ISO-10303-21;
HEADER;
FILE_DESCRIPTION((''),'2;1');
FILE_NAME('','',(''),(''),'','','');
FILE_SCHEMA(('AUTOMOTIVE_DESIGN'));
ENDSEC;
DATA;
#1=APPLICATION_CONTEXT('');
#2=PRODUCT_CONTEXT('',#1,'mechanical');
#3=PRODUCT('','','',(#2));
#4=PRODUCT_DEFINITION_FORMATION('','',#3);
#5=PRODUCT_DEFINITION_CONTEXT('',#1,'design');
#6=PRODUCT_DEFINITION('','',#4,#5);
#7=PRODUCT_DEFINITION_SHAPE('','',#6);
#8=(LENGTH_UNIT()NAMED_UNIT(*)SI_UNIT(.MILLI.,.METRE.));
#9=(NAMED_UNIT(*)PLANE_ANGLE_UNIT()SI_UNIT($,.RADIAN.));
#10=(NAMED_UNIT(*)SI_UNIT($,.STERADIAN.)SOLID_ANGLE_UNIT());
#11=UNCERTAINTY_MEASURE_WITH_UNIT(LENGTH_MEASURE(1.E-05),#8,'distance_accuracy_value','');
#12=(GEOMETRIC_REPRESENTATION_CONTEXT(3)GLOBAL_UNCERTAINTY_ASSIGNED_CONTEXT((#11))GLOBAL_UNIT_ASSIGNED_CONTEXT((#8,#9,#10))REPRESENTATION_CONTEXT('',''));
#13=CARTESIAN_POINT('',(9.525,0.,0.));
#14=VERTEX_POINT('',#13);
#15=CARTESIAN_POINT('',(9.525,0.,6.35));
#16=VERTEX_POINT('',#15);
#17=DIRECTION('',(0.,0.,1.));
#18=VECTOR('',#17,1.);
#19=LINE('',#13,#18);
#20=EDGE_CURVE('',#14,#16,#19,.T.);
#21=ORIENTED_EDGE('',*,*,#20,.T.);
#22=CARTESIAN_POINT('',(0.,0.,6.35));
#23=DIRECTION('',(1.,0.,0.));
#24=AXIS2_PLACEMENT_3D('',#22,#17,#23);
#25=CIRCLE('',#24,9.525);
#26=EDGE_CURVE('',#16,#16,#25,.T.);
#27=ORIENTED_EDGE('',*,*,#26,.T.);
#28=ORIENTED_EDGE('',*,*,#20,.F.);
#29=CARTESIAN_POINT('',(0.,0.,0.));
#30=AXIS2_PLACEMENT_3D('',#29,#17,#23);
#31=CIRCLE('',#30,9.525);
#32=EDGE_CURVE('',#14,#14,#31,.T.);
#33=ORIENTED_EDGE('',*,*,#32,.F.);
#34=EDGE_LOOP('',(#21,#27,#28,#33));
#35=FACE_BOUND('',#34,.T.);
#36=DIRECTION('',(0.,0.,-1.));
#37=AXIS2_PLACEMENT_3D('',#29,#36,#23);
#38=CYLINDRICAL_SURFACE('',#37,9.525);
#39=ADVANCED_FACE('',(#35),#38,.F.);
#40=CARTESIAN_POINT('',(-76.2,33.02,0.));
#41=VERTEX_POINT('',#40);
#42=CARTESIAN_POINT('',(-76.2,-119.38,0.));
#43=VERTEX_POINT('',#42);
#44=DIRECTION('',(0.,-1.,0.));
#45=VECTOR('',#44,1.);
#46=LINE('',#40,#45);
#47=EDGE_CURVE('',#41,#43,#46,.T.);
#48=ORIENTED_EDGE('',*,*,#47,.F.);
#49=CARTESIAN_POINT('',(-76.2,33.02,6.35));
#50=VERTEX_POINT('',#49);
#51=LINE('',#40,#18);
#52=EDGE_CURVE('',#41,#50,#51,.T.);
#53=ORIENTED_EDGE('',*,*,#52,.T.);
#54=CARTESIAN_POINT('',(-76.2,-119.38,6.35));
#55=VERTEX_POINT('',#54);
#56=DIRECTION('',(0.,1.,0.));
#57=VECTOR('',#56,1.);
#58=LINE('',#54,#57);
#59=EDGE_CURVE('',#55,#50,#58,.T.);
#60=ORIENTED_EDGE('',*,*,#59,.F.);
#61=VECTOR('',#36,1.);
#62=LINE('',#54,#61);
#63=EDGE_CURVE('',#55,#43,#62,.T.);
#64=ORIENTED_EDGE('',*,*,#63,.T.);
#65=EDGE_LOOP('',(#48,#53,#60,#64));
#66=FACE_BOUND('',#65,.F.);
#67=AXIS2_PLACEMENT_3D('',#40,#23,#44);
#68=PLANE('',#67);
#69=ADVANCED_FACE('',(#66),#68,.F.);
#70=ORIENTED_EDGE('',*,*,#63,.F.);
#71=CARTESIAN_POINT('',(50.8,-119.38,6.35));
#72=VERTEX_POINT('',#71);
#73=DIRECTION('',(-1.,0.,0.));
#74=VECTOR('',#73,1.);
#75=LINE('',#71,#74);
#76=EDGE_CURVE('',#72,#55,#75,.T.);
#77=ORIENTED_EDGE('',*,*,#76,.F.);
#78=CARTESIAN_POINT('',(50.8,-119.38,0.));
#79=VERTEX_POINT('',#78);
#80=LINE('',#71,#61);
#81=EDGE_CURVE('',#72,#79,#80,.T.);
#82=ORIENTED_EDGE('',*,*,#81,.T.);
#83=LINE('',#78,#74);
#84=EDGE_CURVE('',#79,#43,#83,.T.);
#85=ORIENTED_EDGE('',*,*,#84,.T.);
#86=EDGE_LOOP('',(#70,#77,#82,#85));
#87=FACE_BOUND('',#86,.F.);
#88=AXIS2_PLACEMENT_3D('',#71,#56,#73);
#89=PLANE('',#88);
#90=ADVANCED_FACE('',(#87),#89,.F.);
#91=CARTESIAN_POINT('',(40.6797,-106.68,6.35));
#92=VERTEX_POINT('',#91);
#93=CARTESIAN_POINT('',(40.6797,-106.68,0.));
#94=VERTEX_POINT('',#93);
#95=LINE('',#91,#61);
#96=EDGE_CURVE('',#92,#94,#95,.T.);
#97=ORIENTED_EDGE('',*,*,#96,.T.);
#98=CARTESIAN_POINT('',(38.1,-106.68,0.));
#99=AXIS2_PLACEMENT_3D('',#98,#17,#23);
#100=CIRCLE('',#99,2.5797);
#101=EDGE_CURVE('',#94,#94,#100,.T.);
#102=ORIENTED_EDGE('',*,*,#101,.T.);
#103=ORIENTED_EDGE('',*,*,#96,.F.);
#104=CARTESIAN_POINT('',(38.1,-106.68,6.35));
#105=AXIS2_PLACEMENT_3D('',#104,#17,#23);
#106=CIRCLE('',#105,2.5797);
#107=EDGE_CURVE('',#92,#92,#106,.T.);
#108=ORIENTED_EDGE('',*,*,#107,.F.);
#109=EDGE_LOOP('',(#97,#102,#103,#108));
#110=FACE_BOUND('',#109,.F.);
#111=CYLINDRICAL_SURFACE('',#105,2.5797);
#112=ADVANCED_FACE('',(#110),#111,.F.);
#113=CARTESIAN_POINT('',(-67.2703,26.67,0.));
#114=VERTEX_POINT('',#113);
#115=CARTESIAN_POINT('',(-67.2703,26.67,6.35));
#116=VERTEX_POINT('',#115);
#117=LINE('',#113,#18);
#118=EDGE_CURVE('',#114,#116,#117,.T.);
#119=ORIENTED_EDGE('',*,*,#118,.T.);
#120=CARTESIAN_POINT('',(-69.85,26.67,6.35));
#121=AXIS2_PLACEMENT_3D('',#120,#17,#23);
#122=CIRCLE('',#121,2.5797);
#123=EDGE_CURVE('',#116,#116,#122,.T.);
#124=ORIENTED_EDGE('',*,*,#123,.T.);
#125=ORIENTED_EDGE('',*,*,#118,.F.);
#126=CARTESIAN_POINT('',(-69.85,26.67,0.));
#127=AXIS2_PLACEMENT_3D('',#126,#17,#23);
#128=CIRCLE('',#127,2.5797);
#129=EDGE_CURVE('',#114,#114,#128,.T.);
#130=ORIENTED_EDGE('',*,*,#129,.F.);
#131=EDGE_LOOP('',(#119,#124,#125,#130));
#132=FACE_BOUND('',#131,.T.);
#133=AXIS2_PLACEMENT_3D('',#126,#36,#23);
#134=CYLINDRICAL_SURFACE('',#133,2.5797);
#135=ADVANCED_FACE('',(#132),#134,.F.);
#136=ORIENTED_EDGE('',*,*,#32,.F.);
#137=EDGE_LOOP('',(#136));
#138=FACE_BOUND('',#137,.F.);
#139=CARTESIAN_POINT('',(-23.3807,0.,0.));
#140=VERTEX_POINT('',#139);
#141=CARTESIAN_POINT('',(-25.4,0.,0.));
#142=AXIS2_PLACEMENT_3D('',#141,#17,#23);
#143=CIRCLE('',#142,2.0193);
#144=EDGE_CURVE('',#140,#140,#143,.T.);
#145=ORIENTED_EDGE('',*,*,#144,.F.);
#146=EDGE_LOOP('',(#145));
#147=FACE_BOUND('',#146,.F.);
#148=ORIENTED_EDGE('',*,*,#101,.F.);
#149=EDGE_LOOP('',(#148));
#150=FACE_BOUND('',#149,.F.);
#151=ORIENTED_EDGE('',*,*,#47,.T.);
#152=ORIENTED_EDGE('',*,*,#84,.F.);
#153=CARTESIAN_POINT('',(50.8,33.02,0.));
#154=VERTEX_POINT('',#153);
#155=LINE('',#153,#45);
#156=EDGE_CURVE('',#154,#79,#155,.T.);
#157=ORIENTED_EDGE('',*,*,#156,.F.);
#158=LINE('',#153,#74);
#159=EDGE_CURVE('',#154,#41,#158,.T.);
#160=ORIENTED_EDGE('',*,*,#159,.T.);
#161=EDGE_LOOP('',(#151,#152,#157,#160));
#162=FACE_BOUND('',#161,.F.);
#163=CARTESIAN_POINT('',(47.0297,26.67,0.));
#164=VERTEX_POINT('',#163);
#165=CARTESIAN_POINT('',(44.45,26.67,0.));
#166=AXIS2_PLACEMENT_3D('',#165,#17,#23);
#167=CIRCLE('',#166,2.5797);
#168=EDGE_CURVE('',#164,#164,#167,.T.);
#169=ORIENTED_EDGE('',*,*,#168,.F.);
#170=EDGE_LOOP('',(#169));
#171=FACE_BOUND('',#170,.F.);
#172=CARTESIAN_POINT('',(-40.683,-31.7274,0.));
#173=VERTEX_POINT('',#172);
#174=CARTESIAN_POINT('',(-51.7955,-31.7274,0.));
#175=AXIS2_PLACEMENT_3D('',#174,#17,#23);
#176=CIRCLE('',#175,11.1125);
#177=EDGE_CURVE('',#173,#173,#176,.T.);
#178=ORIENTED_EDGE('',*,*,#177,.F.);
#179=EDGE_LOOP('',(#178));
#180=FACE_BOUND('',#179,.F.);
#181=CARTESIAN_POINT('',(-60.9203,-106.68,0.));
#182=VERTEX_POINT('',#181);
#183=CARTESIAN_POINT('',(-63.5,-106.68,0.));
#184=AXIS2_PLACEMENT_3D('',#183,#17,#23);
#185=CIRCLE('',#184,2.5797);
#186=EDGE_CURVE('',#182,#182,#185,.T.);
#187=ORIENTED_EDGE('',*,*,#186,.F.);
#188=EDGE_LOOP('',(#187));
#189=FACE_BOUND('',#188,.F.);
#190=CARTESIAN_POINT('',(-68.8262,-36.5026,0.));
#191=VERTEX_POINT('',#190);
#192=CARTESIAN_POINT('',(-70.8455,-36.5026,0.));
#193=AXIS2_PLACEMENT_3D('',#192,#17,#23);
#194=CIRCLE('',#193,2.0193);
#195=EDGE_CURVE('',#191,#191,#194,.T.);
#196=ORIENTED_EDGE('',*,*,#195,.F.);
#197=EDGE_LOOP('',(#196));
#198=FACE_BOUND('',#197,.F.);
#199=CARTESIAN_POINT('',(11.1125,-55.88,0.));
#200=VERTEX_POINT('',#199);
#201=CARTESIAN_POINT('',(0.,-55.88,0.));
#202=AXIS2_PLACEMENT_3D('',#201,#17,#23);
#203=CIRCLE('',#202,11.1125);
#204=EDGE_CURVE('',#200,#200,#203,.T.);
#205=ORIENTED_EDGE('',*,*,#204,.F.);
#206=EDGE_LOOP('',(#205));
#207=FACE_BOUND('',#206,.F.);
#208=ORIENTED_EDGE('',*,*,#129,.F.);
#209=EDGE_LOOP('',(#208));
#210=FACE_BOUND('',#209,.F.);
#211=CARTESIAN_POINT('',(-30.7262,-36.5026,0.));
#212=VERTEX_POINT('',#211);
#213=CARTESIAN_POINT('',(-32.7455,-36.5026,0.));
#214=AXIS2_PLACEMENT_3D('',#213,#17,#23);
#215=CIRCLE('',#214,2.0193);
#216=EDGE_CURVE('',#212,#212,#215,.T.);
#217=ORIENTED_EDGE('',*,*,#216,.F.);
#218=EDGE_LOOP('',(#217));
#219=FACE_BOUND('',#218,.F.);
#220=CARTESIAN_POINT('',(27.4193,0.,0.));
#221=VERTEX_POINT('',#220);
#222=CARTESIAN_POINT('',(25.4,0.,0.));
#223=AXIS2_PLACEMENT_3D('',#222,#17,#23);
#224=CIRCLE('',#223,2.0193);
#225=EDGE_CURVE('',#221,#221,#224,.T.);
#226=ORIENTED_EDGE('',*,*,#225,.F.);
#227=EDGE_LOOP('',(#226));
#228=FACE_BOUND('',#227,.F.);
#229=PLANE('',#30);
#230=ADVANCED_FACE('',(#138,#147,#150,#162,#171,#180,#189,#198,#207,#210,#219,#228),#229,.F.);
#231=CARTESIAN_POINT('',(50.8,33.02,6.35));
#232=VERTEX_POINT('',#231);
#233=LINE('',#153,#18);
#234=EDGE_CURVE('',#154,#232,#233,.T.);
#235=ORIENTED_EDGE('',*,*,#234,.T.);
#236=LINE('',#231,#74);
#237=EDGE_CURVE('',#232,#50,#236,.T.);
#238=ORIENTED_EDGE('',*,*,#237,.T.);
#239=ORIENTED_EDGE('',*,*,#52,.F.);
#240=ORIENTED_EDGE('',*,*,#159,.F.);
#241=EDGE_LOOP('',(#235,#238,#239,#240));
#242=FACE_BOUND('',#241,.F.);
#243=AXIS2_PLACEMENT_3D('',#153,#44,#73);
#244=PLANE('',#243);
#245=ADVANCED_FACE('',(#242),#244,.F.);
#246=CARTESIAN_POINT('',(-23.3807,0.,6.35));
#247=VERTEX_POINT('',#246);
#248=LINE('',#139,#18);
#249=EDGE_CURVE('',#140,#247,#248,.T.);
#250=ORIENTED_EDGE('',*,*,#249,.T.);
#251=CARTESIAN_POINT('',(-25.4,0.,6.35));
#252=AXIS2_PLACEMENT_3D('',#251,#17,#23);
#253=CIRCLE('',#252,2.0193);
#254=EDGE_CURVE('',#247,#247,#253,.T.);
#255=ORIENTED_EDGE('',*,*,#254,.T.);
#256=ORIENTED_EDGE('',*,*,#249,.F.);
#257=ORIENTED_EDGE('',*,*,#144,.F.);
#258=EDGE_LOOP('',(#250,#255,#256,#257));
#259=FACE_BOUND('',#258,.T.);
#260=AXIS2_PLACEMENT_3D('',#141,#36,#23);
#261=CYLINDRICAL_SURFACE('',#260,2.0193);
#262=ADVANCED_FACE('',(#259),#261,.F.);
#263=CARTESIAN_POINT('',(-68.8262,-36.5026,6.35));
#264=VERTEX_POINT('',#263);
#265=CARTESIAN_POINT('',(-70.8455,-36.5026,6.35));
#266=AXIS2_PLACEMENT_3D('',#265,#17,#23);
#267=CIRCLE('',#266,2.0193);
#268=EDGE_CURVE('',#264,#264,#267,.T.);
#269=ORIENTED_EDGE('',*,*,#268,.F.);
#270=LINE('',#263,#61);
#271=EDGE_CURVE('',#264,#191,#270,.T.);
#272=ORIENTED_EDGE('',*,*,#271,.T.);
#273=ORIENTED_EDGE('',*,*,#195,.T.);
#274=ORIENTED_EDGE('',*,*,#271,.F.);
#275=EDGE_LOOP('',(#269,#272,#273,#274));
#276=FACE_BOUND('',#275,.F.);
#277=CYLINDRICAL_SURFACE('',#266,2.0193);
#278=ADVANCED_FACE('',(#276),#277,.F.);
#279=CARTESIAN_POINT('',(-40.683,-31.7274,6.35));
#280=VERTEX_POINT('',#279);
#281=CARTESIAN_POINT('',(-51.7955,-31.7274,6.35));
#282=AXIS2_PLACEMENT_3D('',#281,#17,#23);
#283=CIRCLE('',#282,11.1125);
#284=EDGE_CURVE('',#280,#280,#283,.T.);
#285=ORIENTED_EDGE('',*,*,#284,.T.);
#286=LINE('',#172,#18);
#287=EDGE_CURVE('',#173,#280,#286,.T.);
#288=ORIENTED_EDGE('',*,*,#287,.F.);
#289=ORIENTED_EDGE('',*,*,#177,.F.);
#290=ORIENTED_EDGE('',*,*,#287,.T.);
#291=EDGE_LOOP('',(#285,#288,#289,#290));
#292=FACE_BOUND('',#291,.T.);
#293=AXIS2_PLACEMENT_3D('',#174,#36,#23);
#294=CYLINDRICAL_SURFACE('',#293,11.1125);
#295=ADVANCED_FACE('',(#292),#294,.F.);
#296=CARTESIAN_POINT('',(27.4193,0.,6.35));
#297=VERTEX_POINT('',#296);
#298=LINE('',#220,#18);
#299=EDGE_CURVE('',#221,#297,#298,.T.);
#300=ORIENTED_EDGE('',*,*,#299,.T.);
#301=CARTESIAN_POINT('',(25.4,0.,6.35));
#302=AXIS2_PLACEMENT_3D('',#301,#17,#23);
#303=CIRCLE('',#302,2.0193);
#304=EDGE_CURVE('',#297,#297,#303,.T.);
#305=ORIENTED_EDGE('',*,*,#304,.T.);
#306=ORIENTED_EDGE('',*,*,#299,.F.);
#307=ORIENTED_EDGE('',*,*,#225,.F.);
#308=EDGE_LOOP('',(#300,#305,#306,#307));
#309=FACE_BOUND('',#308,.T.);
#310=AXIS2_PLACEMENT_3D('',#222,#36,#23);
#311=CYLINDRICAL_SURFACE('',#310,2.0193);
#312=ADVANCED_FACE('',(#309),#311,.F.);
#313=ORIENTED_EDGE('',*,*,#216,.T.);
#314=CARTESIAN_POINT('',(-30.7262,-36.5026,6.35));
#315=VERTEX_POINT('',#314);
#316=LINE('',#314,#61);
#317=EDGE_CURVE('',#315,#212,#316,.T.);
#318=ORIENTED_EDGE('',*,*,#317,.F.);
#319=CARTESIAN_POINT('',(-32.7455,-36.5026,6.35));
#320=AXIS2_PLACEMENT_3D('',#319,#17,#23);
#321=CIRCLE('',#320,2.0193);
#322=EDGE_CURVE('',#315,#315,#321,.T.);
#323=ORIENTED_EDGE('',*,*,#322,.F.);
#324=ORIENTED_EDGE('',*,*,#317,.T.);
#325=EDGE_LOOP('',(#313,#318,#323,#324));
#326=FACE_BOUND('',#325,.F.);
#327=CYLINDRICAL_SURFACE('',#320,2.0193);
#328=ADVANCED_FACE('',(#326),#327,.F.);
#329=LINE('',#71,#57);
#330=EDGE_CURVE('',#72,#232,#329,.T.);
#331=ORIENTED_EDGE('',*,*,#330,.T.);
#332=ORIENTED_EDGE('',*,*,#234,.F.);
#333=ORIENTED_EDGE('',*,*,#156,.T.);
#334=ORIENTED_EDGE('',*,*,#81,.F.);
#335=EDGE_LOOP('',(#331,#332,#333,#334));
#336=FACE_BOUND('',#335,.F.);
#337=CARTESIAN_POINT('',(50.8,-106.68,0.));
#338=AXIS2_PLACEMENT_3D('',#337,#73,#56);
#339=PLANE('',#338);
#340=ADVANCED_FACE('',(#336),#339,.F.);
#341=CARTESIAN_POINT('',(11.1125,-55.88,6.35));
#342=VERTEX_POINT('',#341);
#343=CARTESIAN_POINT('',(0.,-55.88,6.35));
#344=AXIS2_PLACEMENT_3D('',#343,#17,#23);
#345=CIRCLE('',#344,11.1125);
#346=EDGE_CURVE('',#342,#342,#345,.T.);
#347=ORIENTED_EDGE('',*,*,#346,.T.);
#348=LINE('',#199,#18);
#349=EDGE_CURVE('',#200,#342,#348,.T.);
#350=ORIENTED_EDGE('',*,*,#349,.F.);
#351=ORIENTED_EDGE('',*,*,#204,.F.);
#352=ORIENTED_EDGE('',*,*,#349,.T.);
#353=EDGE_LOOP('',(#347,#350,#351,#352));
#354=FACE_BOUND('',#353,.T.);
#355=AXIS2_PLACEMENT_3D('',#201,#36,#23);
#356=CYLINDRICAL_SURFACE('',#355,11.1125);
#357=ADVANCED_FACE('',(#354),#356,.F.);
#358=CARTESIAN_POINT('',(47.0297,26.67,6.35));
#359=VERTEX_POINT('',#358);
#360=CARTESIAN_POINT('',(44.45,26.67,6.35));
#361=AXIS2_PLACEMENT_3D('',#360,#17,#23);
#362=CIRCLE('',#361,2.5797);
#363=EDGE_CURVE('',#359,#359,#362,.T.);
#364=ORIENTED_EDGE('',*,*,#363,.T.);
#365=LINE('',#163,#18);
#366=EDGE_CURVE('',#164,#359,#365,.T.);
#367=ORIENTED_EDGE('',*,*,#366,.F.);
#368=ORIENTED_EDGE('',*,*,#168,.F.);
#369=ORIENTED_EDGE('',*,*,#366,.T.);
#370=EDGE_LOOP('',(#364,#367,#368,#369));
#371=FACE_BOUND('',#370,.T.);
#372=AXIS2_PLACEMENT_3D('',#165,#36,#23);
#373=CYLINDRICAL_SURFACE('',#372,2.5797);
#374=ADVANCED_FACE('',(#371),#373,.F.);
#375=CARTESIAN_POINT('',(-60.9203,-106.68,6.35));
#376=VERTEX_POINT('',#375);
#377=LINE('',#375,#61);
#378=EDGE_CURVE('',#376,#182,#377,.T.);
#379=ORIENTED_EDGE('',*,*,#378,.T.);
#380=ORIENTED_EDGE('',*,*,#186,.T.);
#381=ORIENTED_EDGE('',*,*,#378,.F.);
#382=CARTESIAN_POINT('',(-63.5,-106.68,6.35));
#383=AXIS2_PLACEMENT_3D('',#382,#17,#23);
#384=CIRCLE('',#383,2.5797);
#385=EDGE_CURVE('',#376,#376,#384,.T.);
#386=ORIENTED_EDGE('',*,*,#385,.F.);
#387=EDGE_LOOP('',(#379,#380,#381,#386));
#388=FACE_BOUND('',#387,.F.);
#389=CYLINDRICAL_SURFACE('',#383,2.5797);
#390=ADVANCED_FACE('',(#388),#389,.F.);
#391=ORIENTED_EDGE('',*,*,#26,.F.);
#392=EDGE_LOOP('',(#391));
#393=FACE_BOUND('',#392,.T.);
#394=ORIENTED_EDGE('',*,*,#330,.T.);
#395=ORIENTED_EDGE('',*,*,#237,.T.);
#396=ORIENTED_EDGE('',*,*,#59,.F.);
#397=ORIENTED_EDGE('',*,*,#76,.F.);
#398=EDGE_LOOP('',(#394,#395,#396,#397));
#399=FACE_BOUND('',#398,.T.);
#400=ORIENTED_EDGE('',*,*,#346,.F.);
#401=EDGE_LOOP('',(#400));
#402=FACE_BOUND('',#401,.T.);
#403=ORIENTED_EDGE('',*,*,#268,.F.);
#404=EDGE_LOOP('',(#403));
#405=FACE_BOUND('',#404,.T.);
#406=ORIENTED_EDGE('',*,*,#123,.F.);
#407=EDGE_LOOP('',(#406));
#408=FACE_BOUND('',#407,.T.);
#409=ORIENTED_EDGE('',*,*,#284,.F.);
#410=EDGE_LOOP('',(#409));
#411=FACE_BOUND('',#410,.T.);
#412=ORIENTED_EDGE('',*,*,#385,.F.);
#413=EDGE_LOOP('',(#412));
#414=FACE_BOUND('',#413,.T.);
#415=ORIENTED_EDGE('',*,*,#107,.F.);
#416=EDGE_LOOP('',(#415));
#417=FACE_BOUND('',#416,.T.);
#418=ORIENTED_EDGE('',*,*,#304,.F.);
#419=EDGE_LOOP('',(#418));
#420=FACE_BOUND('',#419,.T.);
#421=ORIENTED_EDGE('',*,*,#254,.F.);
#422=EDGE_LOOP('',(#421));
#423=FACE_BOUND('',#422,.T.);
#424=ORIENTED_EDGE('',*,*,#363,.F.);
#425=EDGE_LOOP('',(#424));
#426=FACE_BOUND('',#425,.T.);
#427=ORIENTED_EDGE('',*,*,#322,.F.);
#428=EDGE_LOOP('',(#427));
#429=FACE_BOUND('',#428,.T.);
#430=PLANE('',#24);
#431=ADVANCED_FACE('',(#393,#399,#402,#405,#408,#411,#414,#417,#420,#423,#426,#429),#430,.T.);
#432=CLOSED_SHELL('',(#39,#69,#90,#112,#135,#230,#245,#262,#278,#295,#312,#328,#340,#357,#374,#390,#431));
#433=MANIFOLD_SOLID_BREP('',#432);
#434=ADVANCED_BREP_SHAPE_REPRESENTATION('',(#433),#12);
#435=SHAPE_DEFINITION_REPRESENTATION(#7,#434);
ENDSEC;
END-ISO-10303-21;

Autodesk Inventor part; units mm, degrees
ref_plane "YZ Plane" through (0, 0, 0) normal (1, 0, 0) x (0, 1, 0)
ref_plane "XZ Plane" through (0, 0, 0) normal (0, 1, 0) x (-1, 0, 0)
ref_plane "XY Plane" through (0, 0, 0) normal (0, 0, 1) x (1, 0, 0)
sketch "Sketch1" plane through (0, 0, 0) normal (0, 0, 1) x (1, 0, 0)
  circle A0 centre (0, 0) radius 9.525
  line L0 (0, 0) -> (25.4, 0) construction
  line L1 (25.4, 0) -> (-25.4, 0) construction
  line L2 (0, 0) -> (0, -55.88) construction
  line L3 (0, -55.88) -> (-51.7955, -31.7274) construction
  circle A1 centre (0, -55.88) radius 11.1125
  circle A2 centre (-51.7955, -31.7274) radius 11.1125
  line L4 (0, -55.88) -> (0, -106.68) construction
  line L5 (0, -106.68) -> (50.8, -106.68)
  line L6 (50.8, -106.68) -> (50.8, 33.02)
  line L7 (-51.7955, -31.7274) -> (-98.7855, -31.7274) construction
  line L8 (50.8, 33.02) -> (-76.2, 33.02)
  line L9 (-76.2, 33.02) -> (-76.2, -106.68)
  line L10 (-76.2, -106.68) -> (0, -106.68)
  circle A3 centre (25.4, 0) radius 2.0193
  circle A4 centre (-25.4, 0) radius 2.0193
  line L11 (-76.2, 33.02) -> (-69.85, 33.02) construction
  line L12 (-69.85, 33.02) -> (-69.85, 26.67) construction
  circle A5 centre (-69.85, 26.67) radius 2.5797
  line L13 (-12.7, 33.02) -> (-12.7, -106.68) construction
  line L14 (50.8, -36.83) -> (-76.2, -36.83) construction
  circle A6 centre (44.45, 26.67) radius 2.5797
  dimension "d0" = 19.05
  dimension "d1" = 25.4
  dimension "d2" = 50.8
  dimension "d3" = 55.88
  dimension "d4" = 57.15
  dimension "d5" = 65
  dimension "d6" = 22.225
  dimension "d7" = 22.225
  dimension "d8" = 50.8
  dimension "d9" = 50.8
  dimension "d10" = 139.7
  dimension "d11" = 46.99
  dimension "d12" = 127
  dimension "d13" = 4.0386
  dimension "d14" = 6.35
  dimension "d15" = 6.35
  dimension "d16" = 5.1594
extrude "Extrusion1" add sketch "Sketch1" along normal blind 6.35
sketch "Sketch2" plane through (0, 0, 6.35) normal (0, 0, 1) x (1, 0, 0)
  line L0 (-76.2, -106.68) -> (50.8, -106.68) projected
  line L1 (-76.2, -106.68) -> (50.8, -106.68)
  line L2 (50.8, -106.68) -> (50.8, -119.38)
  line L3 (50.8, -119.38) -> (-76.2, -119.38)
  line L4 (-76.2, -119.38) -> (-76.2, -106.68)
  point P0 (0, 0)
  dimension "d19" = 127
  dimension "d20" = 12.7
extrude "Extrusion2" add sketch "Sketch2" against normal blind 6.35
sketch "Sketch3" plane through (0, 0, 6.35) normal (0, 0, 1) x (1, 0, 0)
  line L0 (50.8, 33.02) -> (50.8, -119.38) projected
  line L1 (50.8, -119.38) -> (38.1, -119.38) construction
  line L2 (50.8, -119.38) -> (-76.2, -119.38) projected
  line L3 (38.1, -119.38) -> (38.1, -106.68) construction
  line L4 (-12.7, -119.38) -> (-12.7, -74.0857) construction
  circle A0 centre (38.1, -106.68) radius 2.5797
  circle A1 centre (-63.5, -106.68) radius 2.5797
  point P0 (0, 0)
  dimension "d23" = 12.7
  dimension "d24" = 12.7
  dimension "d25" = 5.1594
extrude "Extrusion3" cut sketch "Sketch3" against normal blind 6.35
sketch "Sketch4" plane through (0, 0, 6.35) normal (0, 0, 1) x (1, 0, 0)
  circle A0 centre (-51.7955, -31.7274) radius 11.1125 projected
  circle A1 centre (-51.7955, -31.7274) radius 11.1125
  line L0 (-51.7955, -31.7274) -> (-70.8455, -31.7274) construction
  line L1 (-70.8455, -31.7274) -> (-32.7455, -31.7274) construction
  line L2 (-32.7455, -31.7274) -> (-32.7455, -36.5026) construction
  line L3 (-51.7955, -31.7274) -> (-51.7955, -49.632) construction
  circle A2 centre (-32.7455, -36.5026) radius 2.0193
  circle A3 centre (-70.8455, -36.5026) radius 2.0193
  point P0 (0, 0)
  dimension "d28" = 19.05
  dimension "d29" = 38.1
  dimension "d30" = 4.7752
  dimension "d31" = 4.0386
extrude "Extrusion4" cut sketch "Sketch4" against normal blind 6.35 contours A2 | A3
properties part number "Rack and Pinion Gearbox Plate"
